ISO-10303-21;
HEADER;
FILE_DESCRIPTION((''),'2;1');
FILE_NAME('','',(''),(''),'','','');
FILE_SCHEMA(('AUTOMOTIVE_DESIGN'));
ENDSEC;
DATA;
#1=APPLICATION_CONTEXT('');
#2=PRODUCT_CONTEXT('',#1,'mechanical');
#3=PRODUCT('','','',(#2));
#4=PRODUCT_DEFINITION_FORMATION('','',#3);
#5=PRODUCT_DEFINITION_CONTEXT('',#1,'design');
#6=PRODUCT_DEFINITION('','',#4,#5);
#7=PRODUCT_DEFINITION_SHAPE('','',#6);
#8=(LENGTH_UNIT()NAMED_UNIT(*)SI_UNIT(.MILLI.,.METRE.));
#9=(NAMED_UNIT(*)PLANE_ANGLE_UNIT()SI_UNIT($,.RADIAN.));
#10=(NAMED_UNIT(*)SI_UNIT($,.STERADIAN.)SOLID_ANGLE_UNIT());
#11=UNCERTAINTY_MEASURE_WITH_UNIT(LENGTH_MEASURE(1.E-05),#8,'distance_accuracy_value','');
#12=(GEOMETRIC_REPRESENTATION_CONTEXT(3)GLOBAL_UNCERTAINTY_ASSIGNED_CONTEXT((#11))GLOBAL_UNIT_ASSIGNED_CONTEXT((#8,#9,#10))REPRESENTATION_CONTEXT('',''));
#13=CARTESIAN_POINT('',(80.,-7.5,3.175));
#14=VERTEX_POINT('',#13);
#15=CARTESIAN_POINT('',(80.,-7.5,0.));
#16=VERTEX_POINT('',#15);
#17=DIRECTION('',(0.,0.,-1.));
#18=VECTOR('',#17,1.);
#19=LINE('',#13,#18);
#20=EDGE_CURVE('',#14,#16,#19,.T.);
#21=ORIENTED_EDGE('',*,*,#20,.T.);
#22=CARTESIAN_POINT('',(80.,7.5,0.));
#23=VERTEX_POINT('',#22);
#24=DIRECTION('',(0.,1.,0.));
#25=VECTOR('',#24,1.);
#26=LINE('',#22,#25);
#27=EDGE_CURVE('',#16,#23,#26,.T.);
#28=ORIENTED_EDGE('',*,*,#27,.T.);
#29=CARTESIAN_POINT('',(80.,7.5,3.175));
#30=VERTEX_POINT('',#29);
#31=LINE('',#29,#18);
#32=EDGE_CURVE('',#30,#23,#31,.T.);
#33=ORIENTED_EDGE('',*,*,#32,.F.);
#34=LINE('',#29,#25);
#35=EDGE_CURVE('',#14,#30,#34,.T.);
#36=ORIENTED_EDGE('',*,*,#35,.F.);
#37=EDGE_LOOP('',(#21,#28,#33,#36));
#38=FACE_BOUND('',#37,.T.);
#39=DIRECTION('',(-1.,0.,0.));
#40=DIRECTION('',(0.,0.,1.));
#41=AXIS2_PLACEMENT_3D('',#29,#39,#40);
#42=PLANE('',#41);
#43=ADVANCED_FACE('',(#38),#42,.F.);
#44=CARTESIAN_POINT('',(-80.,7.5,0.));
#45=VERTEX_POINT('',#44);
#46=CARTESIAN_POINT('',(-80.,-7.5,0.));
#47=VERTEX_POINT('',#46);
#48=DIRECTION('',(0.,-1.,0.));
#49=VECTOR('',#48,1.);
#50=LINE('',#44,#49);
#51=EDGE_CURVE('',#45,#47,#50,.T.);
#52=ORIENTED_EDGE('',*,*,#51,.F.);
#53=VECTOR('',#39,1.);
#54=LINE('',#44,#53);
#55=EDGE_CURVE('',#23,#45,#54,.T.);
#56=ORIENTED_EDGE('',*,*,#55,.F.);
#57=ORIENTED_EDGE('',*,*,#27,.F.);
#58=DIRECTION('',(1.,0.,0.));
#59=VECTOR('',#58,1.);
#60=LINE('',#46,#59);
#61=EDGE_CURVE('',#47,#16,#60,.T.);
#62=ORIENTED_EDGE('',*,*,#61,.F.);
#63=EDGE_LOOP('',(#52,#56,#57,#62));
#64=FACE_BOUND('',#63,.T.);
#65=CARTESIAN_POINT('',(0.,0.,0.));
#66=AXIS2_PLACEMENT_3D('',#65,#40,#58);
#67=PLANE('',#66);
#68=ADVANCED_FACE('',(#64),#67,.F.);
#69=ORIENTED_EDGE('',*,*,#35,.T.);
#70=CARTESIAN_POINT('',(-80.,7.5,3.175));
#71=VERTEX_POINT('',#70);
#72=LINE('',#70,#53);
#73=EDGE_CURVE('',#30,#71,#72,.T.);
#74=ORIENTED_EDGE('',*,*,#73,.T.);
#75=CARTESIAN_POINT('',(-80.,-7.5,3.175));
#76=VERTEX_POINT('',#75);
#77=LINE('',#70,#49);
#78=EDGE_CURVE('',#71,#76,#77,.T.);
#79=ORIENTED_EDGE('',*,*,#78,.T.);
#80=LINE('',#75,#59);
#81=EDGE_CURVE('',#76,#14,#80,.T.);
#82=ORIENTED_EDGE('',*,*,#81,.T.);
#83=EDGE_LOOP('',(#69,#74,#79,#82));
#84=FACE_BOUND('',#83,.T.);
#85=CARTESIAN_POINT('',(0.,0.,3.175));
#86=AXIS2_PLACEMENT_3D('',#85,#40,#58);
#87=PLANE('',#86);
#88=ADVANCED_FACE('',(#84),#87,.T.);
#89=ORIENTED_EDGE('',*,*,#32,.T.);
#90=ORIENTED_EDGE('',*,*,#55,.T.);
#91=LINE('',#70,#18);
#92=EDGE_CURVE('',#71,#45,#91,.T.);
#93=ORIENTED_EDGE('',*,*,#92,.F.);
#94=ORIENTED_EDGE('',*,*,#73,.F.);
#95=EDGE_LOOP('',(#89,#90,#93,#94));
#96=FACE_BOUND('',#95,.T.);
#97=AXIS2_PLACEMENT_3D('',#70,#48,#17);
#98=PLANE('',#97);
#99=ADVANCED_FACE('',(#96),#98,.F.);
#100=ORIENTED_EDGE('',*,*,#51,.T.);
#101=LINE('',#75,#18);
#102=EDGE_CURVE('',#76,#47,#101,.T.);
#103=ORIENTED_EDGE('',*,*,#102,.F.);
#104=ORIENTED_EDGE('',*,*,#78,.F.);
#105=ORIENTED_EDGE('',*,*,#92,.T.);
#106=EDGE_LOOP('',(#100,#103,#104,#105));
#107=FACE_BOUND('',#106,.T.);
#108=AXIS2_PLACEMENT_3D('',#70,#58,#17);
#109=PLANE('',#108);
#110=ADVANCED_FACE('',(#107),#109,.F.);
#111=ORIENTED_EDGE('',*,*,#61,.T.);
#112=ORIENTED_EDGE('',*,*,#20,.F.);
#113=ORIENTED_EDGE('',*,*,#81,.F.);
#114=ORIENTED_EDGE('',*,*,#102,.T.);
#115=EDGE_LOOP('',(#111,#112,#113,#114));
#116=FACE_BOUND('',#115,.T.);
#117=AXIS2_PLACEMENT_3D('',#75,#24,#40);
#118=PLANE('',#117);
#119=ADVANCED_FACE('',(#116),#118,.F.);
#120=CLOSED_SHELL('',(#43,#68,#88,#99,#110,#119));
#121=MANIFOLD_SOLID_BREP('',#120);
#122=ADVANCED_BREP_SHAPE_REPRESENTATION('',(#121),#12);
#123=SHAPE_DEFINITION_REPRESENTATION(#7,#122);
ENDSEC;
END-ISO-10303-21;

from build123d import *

# Parameters (mm, degrees)
SKETCH1_W           = 160
SKETCH1_H           = 15
BOSS_EXTRUDE1_DEPTH = 3.175


with BuildPart() as part:
    # Sketch1 → Boss-Extrude1 (new body)
    with BuildSketch(Plane.XY):
        Rectangle(SKETCH1_W, SKETCH1_H)
    extrude(amount=BOSS_EXTRUDE1_DEPTH)


solid = part.part
